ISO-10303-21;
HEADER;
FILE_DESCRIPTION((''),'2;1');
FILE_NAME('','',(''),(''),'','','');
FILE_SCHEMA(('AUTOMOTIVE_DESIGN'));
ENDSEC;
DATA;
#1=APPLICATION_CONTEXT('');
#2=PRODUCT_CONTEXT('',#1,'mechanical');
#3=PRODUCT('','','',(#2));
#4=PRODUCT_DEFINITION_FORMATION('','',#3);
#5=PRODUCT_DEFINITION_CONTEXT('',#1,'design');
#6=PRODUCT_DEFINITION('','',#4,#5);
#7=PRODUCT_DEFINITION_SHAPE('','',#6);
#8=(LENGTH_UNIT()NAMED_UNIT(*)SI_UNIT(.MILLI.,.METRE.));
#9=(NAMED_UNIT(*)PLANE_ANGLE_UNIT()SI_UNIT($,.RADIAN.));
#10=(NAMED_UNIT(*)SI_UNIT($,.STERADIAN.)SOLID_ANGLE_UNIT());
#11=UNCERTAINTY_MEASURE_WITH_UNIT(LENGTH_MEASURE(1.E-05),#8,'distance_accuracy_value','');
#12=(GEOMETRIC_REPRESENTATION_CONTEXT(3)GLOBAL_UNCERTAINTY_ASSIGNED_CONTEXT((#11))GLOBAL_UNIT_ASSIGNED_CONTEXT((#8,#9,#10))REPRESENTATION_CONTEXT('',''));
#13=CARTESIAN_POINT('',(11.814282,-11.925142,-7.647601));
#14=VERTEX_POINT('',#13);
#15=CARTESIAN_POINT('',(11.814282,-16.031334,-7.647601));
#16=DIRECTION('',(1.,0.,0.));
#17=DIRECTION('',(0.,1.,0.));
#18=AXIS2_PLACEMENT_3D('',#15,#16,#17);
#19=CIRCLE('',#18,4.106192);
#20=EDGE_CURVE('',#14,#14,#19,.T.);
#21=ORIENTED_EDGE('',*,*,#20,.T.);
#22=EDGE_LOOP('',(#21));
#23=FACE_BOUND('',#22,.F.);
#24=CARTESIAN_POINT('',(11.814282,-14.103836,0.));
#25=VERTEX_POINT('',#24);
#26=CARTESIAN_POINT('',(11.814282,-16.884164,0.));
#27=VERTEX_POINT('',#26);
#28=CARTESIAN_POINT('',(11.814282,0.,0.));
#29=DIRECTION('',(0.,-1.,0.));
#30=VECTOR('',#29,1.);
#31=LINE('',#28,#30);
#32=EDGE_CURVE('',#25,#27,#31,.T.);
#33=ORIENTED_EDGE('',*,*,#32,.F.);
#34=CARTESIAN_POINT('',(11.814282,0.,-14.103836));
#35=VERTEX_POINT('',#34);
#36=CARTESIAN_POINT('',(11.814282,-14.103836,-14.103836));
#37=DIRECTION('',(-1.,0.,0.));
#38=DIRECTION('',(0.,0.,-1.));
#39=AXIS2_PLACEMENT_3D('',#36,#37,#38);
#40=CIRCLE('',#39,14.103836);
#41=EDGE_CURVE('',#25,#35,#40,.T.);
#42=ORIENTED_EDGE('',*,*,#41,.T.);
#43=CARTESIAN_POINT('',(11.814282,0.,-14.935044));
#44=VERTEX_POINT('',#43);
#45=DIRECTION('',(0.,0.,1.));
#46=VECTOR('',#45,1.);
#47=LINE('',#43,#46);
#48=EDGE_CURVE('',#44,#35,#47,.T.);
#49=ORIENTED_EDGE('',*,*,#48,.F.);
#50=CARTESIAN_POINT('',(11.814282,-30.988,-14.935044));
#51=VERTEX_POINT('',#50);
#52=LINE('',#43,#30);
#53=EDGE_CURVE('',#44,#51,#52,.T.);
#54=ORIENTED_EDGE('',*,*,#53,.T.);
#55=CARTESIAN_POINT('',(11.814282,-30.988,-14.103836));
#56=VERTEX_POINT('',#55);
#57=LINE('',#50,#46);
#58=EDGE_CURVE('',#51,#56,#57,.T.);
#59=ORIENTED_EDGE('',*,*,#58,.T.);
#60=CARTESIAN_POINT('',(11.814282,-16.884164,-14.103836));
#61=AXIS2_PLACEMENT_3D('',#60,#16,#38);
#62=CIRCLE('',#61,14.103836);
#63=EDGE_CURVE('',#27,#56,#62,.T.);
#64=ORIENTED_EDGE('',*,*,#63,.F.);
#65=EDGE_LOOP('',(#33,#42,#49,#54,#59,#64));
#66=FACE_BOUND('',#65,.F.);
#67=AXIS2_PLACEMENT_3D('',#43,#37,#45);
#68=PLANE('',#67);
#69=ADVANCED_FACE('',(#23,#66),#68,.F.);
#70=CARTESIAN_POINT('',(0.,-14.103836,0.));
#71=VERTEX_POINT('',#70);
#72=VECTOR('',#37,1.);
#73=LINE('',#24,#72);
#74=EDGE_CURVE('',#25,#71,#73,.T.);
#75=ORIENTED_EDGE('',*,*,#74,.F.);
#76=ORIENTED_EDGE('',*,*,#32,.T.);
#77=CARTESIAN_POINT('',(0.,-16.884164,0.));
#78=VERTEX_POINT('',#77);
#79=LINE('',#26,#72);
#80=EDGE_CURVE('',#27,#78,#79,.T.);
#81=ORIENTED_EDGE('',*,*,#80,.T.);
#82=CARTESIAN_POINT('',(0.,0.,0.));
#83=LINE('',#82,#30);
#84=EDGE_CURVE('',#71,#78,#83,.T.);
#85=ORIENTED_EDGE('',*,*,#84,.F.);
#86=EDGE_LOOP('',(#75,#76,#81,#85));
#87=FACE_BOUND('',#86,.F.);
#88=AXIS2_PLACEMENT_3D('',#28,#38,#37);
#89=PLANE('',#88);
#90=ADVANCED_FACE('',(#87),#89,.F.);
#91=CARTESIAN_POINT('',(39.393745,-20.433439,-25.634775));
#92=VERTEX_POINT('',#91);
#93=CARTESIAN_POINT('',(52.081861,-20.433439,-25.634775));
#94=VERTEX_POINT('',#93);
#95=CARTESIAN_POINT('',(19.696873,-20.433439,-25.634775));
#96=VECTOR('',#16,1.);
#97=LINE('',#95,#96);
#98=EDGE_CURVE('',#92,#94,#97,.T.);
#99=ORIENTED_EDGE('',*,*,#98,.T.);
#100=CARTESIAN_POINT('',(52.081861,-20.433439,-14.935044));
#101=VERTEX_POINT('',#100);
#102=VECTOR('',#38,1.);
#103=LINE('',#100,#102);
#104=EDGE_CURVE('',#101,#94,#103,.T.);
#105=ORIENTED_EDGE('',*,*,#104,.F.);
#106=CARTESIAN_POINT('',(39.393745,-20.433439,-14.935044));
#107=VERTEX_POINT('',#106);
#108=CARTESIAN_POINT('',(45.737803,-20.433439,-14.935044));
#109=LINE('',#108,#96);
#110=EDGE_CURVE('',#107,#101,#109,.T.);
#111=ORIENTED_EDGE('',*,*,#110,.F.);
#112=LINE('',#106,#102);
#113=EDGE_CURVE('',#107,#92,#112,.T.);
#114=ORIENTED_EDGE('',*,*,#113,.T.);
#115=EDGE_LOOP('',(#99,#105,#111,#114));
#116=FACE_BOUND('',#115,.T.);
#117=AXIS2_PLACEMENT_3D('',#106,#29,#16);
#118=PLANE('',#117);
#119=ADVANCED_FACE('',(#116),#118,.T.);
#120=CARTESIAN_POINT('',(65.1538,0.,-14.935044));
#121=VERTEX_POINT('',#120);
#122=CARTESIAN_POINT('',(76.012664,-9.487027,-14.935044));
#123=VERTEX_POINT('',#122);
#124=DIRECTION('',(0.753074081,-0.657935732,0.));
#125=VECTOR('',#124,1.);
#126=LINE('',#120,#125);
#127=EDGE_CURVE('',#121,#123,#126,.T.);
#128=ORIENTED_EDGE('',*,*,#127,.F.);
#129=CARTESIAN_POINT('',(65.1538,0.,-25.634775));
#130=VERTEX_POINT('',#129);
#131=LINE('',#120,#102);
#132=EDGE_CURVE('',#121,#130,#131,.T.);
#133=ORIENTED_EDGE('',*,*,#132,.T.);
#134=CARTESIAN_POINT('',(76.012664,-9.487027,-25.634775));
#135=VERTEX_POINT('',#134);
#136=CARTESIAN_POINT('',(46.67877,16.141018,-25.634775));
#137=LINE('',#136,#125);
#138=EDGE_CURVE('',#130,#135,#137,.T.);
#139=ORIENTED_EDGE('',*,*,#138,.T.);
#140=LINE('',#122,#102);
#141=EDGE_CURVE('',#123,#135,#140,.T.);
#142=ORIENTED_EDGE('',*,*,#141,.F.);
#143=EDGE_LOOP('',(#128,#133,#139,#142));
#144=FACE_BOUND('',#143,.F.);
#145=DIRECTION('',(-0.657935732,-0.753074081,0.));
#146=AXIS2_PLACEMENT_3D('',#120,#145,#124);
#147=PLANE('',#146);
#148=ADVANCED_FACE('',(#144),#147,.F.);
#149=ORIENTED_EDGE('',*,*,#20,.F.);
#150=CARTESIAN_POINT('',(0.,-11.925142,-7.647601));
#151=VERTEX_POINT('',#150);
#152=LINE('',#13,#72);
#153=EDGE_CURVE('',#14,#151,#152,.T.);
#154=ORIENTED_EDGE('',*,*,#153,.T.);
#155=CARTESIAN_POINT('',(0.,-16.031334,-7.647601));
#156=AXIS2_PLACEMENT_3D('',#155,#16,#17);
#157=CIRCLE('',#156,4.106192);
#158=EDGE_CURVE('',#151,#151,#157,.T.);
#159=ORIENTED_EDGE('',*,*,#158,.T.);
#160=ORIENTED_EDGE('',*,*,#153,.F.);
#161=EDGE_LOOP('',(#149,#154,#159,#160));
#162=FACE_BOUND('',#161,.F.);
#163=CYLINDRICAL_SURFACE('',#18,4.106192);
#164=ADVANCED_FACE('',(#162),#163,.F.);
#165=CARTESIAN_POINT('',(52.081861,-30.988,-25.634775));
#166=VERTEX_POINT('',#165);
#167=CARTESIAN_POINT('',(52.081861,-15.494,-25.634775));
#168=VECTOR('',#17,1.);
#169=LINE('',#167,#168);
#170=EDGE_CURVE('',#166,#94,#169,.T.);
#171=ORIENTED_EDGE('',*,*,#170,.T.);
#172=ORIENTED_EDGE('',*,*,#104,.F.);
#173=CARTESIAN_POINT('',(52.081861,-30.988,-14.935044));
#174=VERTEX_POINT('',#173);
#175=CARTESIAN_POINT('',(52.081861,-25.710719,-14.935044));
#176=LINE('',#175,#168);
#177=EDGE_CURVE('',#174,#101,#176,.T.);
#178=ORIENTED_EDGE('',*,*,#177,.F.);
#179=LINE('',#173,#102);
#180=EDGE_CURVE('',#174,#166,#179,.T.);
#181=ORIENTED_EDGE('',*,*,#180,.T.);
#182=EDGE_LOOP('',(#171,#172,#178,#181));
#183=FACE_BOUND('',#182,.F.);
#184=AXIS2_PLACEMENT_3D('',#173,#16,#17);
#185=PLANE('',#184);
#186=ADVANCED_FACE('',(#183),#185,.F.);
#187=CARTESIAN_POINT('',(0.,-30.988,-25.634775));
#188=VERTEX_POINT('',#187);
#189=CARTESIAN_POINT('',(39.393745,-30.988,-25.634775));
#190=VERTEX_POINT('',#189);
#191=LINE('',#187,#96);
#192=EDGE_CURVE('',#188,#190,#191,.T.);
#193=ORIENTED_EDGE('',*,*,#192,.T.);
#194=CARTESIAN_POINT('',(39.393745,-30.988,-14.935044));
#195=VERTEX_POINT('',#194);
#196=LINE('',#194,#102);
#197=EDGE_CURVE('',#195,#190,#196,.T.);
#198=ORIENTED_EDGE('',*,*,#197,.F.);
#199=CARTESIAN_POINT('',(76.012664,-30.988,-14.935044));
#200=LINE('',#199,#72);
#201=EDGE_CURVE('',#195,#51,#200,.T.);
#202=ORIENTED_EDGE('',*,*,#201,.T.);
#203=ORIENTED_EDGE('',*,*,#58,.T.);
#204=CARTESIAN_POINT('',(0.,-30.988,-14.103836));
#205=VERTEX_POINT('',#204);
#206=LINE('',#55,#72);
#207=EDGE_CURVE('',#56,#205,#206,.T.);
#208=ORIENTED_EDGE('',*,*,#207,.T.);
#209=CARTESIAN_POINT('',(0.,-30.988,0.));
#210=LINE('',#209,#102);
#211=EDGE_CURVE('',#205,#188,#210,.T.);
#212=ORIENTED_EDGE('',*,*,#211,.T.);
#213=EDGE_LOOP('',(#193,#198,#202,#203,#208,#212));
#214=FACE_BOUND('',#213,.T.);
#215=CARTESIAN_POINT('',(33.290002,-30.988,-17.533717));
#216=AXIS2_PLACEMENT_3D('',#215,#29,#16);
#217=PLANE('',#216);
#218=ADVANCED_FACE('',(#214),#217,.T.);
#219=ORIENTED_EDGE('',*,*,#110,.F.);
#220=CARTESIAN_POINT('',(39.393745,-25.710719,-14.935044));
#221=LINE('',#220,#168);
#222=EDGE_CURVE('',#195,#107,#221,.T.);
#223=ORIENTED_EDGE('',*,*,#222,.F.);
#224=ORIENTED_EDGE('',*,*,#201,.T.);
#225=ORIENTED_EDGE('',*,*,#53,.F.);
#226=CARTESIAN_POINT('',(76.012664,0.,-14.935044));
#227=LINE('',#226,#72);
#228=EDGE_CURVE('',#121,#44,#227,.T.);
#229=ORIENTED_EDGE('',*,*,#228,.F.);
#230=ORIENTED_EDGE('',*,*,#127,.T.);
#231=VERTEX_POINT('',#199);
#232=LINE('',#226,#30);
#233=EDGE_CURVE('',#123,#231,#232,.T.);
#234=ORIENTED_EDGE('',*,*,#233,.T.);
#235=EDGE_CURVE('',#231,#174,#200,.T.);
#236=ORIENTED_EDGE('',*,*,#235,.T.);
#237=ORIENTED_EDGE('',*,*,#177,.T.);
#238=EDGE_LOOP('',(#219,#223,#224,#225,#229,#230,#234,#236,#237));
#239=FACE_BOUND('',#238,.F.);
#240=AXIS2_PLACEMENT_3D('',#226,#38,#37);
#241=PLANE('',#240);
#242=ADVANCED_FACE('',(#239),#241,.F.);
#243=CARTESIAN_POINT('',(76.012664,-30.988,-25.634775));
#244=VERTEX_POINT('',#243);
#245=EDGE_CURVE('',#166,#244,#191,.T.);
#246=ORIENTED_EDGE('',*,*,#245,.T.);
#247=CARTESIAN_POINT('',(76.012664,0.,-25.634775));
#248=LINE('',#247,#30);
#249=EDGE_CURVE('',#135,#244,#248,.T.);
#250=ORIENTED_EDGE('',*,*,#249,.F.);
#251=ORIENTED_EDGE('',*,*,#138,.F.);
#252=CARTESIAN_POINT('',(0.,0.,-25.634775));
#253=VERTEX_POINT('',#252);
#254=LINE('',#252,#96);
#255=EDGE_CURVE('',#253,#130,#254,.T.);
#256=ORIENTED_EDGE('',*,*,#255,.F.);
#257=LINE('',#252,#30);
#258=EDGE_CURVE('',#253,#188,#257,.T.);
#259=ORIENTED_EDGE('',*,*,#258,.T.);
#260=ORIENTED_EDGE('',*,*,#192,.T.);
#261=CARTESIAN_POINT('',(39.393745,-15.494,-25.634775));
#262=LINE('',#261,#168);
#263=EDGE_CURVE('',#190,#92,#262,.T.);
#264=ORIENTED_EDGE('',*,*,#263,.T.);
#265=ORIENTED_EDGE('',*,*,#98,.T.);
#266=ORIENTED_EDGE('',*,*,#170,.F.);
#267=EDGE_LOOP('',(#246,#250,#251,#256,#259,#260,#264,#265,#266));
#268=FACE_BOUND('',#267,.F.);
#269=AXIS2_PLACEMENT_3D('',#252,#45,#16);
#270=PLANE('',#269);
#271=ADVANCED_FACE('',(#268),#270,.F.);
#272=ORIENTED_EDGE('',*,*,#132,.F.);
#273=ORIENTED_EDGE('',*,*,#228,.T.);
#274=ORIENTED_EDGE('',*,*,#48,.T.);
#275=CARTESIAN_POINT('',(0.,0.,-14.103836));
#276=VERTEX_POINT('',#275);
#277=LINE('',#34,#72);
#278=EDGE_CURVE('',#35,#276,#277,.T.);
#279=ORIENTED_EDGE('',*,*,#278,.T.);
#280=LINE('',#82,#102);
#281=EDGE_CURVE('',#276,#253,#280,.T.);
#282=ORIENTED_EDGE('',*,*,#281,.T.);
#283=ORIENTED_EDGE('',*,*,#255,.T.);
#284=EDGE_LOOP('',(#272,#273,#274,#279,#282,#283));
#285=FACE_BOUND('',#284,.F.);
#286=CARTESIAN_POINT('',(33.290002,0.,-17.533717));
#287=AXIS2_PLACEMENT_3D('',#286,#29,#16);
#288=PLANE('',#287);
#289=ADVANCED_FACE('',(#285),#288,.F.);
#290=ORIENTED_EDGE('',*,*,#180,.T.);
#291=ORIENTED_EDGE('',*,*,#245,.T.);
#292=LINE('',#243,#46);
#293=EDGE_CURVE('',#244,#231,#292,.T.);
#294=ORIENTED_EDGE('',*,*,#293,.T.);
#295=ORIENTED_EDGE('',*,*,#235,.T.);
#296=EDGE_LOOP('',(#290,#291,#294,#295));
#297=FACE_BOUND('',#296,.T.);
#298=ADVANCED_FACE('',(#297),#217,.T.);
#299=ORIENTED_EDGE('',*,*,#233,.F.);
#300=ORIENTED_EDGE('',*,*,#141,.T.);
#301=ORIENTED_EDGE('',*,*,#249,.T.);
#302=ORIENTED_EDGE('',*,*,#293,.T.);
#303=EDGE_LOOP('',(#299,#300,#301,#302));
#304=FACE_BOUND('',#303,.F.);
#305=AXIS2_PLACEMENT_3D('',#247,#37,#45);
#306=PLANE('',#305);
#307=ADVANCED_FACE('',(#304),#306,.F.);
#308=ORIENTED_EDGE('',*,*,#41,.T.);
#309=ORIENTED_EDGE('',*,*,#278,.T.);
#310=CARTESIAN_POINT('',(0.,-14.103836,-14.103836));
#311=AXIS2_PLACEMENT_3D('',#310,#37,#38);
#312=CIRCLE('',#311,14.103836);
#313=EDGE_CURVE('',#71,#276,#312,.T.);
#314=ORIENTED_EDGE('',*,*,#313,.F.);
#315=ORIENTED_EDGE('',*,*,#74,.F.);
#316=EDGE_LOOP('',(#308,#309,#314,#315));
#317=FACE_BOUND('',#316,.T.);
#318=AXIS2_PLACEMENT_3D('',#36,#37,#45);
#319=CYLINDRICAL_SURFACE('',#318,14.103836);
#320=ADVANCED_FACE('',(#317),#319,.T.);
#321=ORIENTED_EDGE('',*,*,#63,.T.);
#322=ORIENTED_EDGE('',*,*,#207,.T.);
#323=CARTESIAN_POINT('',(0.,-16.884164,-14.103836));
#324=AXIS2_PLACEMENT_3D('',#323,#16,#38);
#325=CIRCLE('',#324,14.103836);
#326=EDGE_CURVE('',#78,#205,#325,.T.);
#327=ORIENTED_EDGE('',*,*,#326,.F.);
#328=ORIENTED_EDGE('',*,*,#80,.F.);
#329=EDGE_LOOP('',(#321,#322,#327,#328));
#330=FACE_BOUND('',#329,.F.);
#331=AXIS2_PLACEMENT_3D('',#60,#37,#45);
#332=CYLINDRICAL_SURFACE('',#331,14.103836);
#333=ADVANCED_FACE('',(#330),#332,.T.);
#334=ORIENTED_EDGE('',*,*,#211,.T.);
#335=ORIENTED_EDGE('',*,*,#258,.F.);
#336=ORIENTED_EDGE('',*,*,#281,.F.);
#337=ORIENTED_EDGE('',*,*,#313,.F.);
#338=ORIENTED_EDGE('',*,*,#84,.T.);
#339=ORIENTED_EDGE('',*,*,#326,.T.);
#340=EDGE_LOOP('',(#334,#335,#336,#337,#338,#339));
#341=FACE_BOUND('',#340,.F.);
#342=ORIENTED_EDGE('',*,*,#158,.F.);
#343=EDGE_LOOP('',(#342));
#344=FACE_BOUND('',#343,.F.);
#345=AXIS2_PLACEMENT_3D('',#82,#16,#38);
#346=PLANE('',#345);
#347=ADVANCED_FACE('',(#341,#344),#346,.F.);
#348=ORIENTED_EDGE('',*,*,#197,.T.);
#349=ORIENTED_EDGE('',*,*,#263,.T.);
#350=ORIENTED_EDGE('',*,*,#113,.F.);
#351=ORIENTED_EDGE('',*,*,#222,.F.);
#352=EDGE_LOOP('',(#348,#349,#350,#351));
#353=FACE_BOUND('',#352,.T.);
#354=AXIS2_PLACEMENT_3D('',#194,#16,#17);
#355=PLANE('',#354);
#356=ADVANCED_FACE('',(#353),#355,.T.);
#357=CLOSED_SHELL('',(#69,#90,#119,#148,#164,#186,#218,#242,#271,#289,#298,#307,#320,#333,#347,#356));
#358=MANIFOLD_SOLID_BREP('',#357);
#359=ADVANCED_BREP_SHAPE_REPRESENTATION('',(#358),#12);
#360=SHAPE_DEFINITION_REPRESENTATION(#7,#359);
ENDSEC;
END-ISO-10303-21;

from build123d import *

# Parameters (mm, degrees)
F1_DEPTH = 30.988
F2_W     = 12.6881152391
F2_H     = 10.5545610582
F3_DEPTH = 25.4
F4_DEPTH = 25.4
F5_R     = 4.1061921306
F6_DEPTH = 25.4
F7_R     = 14.1038356314


with BuildPart() as f1:
    # F0 (on Front) → F1 (new body)
    with BuildSketch(Plane.XZ):
        Polygon((11.8142822757, 0), (0, 0), (0, -25.6347749382), (76.0126635432, -25.6347749382), (76.0126635432, -14.9350436404), (11.8142822757, -14.9350436404), align=None)
    extrude(amount=F1_DEPTH)

    # F2 (on face) → F3 (cut)
    with BuildSketch(Plane.XY.offset(-14.9350436404)):
        with Locations((45.7378029823, -25.7107194709)):
            Rectangle(F2_W, F2_H)
    extrude(amount=-F3_DEPTH, mode=Mode.SUBTRACT)

    # F2 (on face) → F4 (cut)
    with BuildSketch(Plane.XY.offset(-14.9350436404)):
        Polygon((76.0126635432, 0), (65.1537999511, 0), (76.0126635432, -9.4870273024), align=None)
        with Locations((45.7378029823, -25.7107194709)):
            Rectangle(F2_W, F2_H)
    extrude(amount=-F4_DEPTH, mode=Mode.SUBTRACT)

    # F5 (on face) → F6 (cut)
    with BuildSketch(Plane.YZ.offset(11.8142822757)):
        with Locations((-16.0313341767, -7.6476014219)):
            Circle(F5_R)
    extrude(amount=-F6_DEPTH, mode=Mode.SUBTRACT)

    # F7
    f7_edges = [f1.edges().sort_by_distance(p)[0] for p in [
        (5.907141, -30.988, 0),
        (5.907141, 0, 0),
    ]]
    fillet(f7_edges, radius=F7_R)


solid = f1.part
